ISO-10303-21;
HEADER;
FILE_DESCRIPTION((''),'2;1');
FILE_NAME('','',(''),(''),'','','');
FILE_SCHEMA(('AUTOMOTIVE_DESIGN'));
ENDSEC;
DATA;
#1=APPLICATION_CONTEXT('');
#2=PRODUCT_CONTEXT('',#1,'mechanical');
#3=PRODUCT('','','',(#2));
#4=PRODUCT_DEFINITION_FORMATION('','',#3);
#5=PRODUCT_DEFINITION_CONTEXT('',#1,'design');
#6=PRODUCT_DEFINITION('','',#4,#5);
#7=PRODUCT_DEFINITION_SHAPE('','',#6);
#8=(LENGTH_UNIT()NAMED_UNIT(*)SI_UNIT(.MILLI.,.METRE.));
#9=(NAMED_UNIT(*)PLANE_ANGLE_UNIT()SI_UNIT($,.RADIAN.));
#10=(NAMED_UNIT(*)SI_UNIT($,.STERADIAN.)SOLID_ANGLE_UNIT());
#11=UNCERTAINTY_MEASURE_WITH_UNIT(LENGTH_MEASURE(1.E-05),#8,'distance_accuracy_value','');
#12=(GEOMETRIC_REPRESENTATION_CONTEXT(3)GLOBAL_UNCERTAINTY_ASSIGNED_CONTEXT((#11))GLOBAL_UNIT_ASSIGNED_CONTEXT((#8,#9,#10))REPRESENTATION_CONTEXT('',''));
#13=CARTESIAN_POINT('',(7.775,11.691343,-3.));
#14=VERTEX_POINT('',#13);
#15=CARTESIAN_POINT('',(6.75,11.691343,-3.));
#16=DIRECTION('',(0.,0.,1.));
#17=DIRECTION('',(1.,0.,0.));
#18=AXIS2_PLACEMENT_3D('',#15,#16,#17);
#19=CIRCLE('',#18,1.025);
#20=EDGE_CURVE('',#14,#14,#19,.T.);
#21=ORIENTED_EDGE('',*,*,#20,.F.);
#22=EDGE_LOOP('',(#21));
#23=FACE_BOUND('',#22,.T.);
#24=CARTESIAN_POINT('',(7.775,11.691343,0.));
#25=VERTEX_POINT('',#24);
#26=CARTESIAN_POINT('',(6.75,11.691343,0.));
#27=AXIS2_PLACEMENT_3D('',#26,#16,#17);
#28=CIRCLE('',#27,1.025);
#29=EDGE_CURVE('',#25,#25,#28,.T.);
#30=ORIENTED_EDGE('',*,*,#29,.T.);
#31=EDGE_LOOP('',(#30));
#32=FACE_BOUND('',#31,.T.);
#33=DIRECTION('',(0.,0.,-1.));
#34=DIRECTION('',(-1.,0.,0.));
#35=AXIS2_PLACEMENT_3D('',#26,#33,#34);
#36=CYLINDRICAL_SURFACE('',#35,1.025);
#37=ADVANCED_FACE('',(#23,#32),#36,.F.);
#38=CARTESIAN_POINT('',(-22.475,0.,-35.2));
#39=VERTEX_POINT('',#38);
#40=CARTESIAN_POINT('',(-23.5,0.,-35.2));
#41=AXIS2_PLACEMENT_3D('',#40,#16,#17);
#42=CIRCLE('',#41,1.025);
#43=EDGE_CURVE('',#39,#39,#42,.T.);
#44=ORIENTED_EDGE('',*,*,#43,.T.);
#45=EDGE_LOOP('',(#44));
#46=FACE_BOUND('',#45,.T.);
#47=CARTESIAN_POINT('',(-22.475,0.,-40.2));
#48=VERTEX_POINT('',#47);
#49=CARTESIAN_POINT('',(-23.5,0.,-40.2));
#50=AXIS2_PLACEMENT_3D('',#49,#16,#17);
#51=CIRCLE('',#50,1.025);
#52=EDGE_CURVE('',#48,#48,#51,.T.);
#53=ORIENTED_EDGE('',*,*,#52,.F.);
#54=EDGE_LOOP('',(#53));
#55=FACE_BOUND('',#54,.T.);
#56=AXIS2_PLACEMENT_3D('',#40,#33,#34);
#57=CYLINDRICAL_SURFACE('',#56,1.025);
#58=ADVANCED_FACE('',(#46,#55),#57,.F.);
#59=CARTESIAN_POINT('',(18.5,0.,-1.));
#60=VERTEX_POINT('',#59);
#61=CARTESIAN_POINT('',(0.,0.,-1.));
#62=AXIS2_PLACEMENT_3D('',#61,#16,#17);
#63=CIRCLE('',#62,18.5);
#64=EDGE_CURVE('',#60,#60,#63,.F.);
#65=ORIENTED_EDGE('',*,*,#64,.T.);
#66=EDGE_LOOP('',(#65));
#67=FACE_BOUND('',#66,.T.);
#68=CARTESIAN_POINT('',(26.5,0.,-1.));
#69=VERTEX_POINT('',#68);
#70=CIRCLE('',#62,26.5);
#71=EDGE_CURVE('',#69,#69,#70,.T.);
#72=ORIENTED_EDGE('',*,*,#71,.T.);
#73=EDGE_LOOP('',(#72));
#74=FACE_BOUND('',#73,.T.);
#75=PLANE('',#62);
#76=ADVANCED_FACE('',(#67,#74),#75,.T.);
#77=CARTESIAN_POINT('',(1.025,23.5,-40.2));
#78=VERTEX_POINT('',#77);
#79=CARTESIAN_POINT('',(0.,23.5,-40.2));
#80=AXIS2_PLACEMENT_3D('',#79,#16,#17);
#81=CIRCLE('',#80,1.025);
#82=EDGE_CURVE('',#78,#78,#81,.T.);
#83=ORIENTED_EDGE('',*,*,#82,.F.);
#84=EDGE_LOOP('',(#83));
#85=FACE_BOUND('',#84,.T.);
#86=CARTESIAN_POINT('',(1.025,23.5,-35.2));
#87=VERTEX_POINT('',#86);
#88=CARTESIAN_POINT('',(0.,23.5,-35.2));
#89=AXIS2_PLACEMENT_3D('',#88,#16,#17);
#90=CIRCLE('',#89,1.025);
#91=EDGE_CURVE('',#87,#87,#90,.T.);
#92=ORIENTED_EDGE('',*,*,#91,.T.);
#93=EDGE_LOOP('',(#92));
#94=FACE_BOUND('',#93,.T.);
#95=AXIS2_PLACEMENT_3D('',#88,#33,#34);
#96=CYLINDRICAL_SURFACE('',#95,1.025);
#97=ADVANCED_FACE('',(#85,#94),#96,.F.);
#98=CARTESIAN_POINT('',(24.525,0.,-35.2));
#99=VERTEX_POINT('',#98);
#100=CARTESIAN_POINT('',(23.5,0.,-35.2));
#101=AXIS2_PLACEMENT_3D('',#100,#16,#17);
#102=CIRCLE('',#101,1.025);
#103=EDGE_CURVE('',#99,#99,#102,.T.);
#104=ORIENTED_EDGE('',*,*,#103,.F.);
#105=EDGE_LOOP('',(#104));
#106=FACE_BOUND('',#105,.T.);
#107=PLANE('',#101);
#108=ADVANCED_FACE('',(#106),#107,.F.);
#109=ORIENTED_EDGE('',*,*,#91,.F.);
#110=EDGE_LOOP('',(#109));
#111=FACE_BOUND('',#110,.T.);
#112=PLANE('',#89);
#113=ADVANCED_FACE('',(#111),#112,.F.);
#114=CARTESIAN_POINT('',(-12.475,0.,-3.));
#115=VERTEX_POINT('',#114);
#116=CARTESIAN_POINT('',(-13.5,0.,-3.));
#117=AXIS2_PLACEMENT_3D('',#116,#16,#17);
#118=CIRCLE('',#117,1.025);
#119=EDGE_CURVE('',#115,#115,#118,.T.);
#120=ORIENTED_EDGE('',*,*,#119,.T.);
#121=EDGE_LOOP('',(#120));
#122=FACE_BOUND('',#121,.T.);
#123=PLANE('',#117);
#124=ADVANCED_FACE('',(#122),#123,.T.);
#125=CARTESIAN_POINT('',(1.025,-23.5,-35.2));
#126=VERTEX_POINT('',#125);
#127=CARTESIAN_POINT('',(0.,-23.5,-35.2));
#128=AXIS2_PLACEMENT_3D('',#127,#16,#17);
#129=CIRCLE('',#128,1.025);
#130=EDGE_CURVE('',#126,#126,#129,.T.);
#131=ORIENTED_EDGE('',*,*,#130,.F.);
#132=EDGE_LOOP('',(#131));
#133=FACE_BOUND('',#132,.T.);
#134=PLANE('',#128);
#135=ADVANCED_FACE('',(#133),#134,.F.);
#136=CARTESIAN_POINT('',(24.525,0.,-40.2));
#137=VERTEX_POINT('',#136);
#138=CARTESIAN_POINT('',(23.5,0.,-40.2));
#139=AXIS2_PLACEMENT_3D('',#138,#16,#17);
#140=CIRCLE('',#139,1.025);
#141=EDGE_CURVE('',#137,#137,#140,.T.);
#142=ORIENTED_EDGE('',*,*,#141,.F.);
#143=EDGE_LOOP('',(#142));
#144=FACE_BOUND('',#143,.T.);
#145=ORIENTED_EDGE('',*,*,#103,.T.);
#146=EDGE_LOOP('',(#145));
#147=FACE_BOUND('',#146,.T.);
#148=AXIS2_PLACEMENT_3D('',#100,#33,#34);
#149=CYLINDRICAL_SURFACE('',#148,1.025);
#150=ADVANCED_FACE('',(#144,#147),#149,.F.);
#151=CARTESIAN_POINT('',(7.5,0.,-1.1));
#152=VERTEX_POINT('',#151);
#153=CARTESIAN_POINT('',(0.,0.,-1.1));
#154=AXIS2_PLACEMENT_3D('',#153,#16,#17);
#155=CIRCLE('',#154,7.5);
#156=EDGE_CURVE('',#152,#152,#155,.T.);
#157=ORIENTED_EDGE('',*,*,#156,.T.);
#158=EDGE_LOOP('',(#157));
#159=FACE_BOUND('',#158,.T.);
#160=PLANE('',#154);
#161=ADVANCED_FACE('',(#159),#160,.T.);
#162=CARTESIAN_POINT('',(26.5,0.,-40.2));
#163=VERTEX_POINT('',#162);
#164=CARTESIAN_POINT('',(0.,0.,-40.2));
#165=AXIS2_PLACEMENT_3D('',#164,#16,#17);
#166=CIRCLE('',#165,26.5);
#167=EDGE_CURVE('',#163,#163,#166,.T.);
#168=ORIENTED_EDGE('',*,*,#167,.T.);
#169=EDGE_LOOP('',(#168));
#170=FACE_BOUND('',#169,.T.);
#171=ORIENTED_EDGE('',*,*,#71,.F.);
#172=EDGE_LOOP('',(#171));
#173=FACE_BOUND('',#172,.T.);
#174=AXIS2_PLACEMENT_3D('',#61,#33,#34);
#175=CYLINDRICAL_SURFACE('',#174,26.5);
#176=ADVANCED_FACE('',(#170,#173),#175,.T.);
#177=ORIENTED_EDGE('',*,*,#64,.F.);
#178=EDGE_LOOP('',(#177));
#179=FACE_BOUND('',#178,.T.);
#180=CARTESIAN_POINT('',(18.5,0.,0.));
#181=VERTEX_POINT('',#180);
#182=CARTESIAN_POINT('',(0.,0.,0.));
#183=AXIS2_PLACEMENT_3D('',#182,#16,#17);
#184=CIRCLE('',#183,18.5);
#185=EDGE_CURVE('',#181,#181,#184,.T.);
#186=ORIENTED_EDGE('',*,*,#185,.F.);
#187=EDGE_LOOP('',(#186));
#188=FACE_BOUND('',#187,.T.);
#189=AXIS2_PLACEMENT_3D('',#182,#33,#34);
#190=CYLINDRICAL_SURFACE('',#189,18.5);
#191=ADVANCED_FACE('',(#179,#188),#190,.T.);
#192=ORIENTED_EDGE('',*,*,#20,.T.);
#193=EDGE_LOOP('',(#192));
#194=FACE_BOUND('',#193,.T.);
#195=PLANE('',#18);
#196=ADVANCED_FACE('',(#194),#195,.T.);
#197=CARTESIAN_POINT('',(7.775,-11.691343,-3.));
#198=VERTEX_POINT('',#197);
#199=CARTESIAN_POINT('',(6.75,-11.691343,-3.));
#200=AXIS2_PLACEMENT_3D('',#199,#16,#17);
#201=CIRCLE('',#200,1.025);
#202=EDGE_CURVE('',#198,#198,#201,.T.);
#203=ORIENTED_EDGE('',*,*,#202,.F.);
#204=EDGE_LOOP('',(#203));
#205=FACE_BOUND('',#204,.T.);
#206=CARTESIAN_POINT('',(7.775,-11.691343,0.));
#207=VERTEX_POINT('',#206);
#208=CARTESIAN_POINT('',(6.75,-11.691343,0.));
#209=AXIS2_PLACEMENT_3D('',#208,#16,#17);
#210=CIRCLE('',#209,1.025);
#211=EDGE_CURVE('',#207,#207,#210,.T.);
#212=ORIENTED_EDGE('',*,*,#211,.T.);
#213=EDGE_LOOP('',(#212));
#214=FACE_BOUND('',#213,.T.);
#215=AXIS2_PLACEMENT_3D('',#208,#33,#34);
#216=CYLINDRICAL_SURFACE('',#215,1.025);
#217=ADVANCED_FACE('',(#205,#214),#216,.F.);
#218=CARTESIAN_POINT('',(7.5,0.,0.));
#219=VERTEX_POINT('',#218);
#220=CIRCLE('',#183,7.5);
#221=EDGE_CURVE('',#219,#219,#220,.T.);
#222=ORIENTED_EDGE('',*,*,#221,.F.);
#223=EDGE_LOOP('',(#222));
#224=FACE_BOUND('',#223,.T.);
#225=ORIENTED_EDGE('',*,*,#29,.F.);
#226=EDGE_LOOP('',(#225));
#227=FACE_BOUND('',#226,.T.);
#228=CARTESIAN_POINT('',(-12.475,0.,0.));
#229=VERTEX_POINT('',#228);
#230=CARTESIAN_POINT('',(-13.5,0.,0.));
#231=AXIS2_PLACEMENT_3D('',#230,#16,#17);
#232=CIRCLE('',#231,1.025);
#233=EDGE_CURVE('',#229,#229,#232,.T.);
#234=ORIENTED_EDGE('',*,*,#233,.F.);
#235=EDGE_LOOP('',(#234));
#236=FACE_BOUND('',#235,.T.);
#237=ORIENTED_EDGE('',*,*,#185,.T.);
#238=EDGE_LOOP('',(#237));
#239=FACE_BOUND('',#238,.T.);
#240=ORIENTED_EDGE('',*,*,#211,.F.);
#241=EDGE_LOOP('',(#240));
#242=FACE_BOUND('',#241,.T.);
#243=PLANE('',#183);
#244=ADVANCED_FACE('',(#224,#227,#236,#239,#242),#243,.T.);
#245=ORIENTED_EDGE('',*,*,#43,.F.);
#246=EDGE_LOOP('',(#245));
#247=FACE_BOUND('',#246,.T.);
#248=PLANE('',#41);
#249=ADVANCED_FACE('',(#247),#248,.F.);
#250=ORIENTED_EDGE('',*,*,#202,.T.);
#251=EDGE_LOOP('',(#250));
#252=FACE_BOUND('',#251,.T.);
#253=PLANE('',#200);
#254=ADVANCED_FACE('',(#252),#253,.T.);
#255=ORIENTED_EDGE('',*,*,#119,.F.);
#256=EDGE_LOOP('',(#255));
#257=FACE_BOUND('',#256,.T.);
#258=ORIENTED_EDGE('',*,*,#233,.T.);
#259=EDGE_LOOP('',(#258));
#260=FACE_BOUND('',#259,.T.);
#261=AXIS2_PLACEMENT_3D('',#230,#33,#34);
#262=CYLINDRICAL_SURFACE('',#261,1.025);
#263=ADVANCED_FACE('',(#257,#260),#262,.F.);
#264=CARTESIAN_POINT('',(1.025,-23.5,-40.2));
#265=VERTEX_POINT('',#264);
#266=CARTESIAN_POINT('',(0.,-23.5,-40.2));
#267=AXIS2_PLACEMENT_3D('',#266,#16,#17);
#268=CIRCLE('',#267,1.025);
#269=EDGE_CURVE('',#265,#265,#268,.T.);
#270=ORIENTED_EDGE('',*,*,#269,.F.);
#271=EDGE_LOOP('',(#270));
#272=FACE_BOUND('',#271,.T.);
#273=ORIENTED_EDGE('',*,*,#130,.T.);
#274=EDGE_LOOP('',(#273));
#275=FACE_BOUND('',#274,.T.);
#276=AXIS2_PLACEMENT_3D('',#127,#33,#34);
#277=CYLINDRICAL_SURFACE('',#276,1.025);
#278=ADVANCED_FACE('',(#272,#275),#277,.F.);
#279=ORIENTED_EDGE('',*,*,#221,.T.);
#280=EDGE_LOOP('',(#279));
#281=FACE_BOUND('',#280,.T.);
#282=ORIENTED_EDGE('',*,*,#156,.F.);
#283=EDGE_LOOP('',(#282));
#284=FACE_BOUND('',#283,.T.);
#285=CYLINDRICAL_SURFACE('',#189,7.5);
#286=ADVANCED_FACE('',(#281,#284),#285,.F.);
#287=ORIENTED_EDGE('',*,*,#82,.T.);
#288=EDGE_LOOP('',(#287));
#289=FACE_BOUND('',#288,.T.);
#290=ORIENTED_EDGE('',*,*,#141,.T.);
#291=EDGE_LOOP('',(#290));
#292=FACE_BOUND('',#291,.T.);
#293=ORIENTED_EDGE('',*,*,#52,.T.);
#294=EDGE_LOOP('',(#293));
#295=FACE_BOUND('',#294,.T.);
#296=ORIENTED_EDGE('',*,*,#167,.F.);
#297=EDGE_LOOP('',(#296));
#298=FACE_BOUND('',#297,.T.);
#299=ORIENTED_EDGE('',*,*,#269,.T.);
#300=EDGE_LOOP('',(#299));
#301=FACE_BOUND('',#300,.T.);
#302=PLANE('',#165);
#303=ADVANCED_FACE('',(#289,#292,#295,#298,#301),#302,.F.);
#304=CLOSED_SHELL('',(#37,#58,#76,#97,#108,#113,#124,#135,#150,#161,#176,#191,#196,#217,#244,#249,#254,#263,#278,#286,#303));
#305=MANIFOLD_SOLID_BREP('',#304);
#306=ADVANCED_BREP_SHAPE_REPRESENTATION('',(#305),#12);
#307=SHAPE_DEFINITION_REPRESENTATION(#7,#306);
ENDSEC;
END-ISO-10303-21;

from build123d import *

# Parameters (mm, degrees)
F_0000_CYLINDER_SKETCH_R = 26.5
F_0000_CYLINDER_DEPTH    = 39.2
F_0002_CYLINDER_SKETCH_R = 18.5
F_0002_CYLINDER_DEPTH    = 1.5
F_0004_CYLINDER_SKETCH_R = 7.5
F_0004_CYLINDER_DEPTH    = 1.1
F_0006_CYLINDER_SKETCH_R = 1.025
F_0006_CYLINDER_DEPTH    = 3
F_0009_CYLINDER_SKETCH_R = 1.025
F_0009_CYLINDER_DEPTH    = 3
F_0012_CYLINDER_SKETCH_R = 1.025
F_0012_CYLINDER_DEPTH    = 3
F_0015_CYLINDER_SKETCH_R = 1.025
F_0015_CYLINDER_DEPTH    = 5
F_0018_CYLINDER_SKETCH_R = 1.025
F_0018_CYLINDER_DEPTH    = 5
F_0021_CYLINDER_SKETCH_R = 1.025
F_0021_CYLINDER_DEPTH    = 5
F_0024_CYLINDER_SKETCH_R = 1.025
F_0024_CYLINDER_DEPTH    = 5


with BuildPart() as part:
    # 0000_cylinder_Sketch → 0000_cylinder (new body)
    with BuildSketch(Plane.XY):
        Circle(F_0000_CYLINDER_SKETCH_R)
    extrude(amount=F_0000_CYLINDER_DEPTH)


with BuildPart() as part_1:
    # 0000_cylinder_Translate: moved
    add(part.part.moved(Location((0, 0, -40.2))))


with BuildPart() as body_2:
    # 0002_cylinder_Sketch → 0002_cylinder (new body)
    with BuildSketch(Plane.XY):
        Circle(F_0002_CYLINDER_SKETCH_R)
    extrude(amount=F_0002_CYLINDER_DEPTH)


with BuildPart() as body_2_1:
    # 0002_cylinder_Translate: moved
    add(body_2.part.moved(Location((0, 0, -1.5))))


with BuildPart() as part_2:
    add(part_1.part)

    # 0003_add: union body 2
    add(body_2_1.part)


with BuildPart() as body_2_2:
    # 0004_cylinder_Sketch → 0004_cylinder (new body)
    with BuildSketch(Plane.XY):
        Circle(F_0004_CYLINDER_SKETCH_R)
    extrude(amount=F_0004_CYLINDER_DEPTH)


with BuildPart() as body_2_2_1:
    # 0004_cylinder_Translate: moved
    add(body_2_2.part.moved(Location((0, 0, -1.1))))


with BuildPart() as part_3:
    add(part_2.part)

    # 0005_sub: cut body 2 2
    add(body_2_2_1.part, mode=Mode.SUBTRACT)


with BuildPart() as body_2_3:
    # 0006_cylinder_Sketch → 0006_cylinder (new body)
    with BuildSketch(Plane.XY):
        Circle(F_0006_CYLINDER_SKETCH_R)
    extrude(amount=F_0006_CYLINDER_DEPTH)


with BuildPart() as body_2_3_1:
    # 0006_cylinder_Translate: moved
    add(body_2_3.part.moved(Location((6.75, 11.691342951, -3))))


with BuildPart() as part_4:
    add(part_3.part)

    # 0008_sub: cut body 2 3
    add(body_2_3_1.part, mode=Mode.SUBTRACT)


with BuildPart() as body_2_4:
    # 0009_cylinder_Sketch → 0009_cylinder (new body)
    with BuildSketch(Plane.XY):
        Circle(F_0009_CYLINDER_SKETCH_R)
    extrude(amount=F_0009_CYLINDER_DEPTH)


with BuildPart() as body_2_4_1:
    # 0009_cylinder_Translate: moved
    add(body_2_4.part.moved(Location((6.75, -11.691342951, -3))))


with BuildPart() as part_5:
    add(part_4.part)

    # 0011_sub: cut body 2 4
    add(body_2_4_1.part, mode=Mode.SUBTRACT)


with BuildPart() as body_2_5:
    # 0012_cylinder_Sketch → 0012_cylinder (new body)
    with BuildSketch(Plane.XY):
        Circle(F_0012_CYLINDER_SKETCH_R)
    extrude(amount=F_0012_CYLINDER_DEPTH)


with BuildPart() as body_2_5_1:
    # 0012_cylinder_Translate: moved
    add(body_2_5.part.moved(Location((-13.5, 0, -3))))


with BuildPart() as part_6:
    add(part_5.part)

    # 0014_sub: cut body 2 5
    add(body_2_5_1.part, mode=Mode.SUBTRACT)


with BuildPart() as body_2_6:
    # 0015_cylinder_Sketch → 0015_cylinder (new body)
    with BuildSketch(Plane.XY):
        Circle(F_0015_CYLINDER_SKETCH_R)
    extrude(amount=F_0015_CYLINDER_DEPTH)


with BuildPart() as body_2_6_1:
    # 0015_cylinder_Translate: moved
    add(body_2_6.part.moved(Location((0, 23.5, -40.2))))


with BuildPart() as part_7:
    add(part_6.part)

    # 0017_sub: cut body 2 6
    add(body_2_6_1.part, mode=Mode.SUBTRACT)


with BuildPart() as body_2_7:
    # 0018_cylinder_Sketch → 0018_cylinder (new body)
    with BuildSketch(Plane.XY):
        Circle(F_0018_CYLINDER_SKETCH_R)
    extrude(amount=F_0018_CYLINDER_DEPTH)


with BuildPart() as body_2_7_1:
    # 0018_cylinder_Translate: moved
    add(body_2_7.part.moved(Location((23.5, 0, -40.2))))


with BuildPart() as part_8:
    add(part_7.part)

    # 0020_sub: cut body 2 7
    add(body_2_7_1.part, mode=Mode.SUBTRACT)


with BuildPart() as body_2_8:
    # 0021_cylinder_Sketch → 0021_cylinder (new body)
    with BuildSketch(Plane.XY):
        Circle(F_0021_CYLINDER_SKETCH_R)
    extrude(amount=F_0021_CYLINDER_DEPTH)


with BuildPart() as body_2_8_1:
    # 0021_cylinder_Translate: moved
    add(body_2_8.part.moved(Location((0, -23.5, -40.2))))


with BuildPart() as part_9:
    add(part_8.part)

    # 0023_sub: cut body 2 8
    add(body_2_8_1.part, mode=Mode.SUBTRACT)


with BuildPart() as body_2_9:
    # 0024_cylinder_Sketch → 0024_cylinder (new body)
    with BuildSketch(Plane.XY):
        Circle(F_0024_CYLINDER_SKETCH_R)
    extrude(amount=F_0024_CYLINDER_DEPTH)


with BuildPart() as body_2_9_1:
    # 0024_cylinder_Translate: moved
    add(body_2_9.part.moved(Location((-23.5, 0, -40.2))))


with BuildPart() as part_10:
    add(part_9.part)

    # 0026_sub: cut body 2 9
    add(body_2_9_1.part, mode=Mode.SUBTRACT)


solid = part_10.part
